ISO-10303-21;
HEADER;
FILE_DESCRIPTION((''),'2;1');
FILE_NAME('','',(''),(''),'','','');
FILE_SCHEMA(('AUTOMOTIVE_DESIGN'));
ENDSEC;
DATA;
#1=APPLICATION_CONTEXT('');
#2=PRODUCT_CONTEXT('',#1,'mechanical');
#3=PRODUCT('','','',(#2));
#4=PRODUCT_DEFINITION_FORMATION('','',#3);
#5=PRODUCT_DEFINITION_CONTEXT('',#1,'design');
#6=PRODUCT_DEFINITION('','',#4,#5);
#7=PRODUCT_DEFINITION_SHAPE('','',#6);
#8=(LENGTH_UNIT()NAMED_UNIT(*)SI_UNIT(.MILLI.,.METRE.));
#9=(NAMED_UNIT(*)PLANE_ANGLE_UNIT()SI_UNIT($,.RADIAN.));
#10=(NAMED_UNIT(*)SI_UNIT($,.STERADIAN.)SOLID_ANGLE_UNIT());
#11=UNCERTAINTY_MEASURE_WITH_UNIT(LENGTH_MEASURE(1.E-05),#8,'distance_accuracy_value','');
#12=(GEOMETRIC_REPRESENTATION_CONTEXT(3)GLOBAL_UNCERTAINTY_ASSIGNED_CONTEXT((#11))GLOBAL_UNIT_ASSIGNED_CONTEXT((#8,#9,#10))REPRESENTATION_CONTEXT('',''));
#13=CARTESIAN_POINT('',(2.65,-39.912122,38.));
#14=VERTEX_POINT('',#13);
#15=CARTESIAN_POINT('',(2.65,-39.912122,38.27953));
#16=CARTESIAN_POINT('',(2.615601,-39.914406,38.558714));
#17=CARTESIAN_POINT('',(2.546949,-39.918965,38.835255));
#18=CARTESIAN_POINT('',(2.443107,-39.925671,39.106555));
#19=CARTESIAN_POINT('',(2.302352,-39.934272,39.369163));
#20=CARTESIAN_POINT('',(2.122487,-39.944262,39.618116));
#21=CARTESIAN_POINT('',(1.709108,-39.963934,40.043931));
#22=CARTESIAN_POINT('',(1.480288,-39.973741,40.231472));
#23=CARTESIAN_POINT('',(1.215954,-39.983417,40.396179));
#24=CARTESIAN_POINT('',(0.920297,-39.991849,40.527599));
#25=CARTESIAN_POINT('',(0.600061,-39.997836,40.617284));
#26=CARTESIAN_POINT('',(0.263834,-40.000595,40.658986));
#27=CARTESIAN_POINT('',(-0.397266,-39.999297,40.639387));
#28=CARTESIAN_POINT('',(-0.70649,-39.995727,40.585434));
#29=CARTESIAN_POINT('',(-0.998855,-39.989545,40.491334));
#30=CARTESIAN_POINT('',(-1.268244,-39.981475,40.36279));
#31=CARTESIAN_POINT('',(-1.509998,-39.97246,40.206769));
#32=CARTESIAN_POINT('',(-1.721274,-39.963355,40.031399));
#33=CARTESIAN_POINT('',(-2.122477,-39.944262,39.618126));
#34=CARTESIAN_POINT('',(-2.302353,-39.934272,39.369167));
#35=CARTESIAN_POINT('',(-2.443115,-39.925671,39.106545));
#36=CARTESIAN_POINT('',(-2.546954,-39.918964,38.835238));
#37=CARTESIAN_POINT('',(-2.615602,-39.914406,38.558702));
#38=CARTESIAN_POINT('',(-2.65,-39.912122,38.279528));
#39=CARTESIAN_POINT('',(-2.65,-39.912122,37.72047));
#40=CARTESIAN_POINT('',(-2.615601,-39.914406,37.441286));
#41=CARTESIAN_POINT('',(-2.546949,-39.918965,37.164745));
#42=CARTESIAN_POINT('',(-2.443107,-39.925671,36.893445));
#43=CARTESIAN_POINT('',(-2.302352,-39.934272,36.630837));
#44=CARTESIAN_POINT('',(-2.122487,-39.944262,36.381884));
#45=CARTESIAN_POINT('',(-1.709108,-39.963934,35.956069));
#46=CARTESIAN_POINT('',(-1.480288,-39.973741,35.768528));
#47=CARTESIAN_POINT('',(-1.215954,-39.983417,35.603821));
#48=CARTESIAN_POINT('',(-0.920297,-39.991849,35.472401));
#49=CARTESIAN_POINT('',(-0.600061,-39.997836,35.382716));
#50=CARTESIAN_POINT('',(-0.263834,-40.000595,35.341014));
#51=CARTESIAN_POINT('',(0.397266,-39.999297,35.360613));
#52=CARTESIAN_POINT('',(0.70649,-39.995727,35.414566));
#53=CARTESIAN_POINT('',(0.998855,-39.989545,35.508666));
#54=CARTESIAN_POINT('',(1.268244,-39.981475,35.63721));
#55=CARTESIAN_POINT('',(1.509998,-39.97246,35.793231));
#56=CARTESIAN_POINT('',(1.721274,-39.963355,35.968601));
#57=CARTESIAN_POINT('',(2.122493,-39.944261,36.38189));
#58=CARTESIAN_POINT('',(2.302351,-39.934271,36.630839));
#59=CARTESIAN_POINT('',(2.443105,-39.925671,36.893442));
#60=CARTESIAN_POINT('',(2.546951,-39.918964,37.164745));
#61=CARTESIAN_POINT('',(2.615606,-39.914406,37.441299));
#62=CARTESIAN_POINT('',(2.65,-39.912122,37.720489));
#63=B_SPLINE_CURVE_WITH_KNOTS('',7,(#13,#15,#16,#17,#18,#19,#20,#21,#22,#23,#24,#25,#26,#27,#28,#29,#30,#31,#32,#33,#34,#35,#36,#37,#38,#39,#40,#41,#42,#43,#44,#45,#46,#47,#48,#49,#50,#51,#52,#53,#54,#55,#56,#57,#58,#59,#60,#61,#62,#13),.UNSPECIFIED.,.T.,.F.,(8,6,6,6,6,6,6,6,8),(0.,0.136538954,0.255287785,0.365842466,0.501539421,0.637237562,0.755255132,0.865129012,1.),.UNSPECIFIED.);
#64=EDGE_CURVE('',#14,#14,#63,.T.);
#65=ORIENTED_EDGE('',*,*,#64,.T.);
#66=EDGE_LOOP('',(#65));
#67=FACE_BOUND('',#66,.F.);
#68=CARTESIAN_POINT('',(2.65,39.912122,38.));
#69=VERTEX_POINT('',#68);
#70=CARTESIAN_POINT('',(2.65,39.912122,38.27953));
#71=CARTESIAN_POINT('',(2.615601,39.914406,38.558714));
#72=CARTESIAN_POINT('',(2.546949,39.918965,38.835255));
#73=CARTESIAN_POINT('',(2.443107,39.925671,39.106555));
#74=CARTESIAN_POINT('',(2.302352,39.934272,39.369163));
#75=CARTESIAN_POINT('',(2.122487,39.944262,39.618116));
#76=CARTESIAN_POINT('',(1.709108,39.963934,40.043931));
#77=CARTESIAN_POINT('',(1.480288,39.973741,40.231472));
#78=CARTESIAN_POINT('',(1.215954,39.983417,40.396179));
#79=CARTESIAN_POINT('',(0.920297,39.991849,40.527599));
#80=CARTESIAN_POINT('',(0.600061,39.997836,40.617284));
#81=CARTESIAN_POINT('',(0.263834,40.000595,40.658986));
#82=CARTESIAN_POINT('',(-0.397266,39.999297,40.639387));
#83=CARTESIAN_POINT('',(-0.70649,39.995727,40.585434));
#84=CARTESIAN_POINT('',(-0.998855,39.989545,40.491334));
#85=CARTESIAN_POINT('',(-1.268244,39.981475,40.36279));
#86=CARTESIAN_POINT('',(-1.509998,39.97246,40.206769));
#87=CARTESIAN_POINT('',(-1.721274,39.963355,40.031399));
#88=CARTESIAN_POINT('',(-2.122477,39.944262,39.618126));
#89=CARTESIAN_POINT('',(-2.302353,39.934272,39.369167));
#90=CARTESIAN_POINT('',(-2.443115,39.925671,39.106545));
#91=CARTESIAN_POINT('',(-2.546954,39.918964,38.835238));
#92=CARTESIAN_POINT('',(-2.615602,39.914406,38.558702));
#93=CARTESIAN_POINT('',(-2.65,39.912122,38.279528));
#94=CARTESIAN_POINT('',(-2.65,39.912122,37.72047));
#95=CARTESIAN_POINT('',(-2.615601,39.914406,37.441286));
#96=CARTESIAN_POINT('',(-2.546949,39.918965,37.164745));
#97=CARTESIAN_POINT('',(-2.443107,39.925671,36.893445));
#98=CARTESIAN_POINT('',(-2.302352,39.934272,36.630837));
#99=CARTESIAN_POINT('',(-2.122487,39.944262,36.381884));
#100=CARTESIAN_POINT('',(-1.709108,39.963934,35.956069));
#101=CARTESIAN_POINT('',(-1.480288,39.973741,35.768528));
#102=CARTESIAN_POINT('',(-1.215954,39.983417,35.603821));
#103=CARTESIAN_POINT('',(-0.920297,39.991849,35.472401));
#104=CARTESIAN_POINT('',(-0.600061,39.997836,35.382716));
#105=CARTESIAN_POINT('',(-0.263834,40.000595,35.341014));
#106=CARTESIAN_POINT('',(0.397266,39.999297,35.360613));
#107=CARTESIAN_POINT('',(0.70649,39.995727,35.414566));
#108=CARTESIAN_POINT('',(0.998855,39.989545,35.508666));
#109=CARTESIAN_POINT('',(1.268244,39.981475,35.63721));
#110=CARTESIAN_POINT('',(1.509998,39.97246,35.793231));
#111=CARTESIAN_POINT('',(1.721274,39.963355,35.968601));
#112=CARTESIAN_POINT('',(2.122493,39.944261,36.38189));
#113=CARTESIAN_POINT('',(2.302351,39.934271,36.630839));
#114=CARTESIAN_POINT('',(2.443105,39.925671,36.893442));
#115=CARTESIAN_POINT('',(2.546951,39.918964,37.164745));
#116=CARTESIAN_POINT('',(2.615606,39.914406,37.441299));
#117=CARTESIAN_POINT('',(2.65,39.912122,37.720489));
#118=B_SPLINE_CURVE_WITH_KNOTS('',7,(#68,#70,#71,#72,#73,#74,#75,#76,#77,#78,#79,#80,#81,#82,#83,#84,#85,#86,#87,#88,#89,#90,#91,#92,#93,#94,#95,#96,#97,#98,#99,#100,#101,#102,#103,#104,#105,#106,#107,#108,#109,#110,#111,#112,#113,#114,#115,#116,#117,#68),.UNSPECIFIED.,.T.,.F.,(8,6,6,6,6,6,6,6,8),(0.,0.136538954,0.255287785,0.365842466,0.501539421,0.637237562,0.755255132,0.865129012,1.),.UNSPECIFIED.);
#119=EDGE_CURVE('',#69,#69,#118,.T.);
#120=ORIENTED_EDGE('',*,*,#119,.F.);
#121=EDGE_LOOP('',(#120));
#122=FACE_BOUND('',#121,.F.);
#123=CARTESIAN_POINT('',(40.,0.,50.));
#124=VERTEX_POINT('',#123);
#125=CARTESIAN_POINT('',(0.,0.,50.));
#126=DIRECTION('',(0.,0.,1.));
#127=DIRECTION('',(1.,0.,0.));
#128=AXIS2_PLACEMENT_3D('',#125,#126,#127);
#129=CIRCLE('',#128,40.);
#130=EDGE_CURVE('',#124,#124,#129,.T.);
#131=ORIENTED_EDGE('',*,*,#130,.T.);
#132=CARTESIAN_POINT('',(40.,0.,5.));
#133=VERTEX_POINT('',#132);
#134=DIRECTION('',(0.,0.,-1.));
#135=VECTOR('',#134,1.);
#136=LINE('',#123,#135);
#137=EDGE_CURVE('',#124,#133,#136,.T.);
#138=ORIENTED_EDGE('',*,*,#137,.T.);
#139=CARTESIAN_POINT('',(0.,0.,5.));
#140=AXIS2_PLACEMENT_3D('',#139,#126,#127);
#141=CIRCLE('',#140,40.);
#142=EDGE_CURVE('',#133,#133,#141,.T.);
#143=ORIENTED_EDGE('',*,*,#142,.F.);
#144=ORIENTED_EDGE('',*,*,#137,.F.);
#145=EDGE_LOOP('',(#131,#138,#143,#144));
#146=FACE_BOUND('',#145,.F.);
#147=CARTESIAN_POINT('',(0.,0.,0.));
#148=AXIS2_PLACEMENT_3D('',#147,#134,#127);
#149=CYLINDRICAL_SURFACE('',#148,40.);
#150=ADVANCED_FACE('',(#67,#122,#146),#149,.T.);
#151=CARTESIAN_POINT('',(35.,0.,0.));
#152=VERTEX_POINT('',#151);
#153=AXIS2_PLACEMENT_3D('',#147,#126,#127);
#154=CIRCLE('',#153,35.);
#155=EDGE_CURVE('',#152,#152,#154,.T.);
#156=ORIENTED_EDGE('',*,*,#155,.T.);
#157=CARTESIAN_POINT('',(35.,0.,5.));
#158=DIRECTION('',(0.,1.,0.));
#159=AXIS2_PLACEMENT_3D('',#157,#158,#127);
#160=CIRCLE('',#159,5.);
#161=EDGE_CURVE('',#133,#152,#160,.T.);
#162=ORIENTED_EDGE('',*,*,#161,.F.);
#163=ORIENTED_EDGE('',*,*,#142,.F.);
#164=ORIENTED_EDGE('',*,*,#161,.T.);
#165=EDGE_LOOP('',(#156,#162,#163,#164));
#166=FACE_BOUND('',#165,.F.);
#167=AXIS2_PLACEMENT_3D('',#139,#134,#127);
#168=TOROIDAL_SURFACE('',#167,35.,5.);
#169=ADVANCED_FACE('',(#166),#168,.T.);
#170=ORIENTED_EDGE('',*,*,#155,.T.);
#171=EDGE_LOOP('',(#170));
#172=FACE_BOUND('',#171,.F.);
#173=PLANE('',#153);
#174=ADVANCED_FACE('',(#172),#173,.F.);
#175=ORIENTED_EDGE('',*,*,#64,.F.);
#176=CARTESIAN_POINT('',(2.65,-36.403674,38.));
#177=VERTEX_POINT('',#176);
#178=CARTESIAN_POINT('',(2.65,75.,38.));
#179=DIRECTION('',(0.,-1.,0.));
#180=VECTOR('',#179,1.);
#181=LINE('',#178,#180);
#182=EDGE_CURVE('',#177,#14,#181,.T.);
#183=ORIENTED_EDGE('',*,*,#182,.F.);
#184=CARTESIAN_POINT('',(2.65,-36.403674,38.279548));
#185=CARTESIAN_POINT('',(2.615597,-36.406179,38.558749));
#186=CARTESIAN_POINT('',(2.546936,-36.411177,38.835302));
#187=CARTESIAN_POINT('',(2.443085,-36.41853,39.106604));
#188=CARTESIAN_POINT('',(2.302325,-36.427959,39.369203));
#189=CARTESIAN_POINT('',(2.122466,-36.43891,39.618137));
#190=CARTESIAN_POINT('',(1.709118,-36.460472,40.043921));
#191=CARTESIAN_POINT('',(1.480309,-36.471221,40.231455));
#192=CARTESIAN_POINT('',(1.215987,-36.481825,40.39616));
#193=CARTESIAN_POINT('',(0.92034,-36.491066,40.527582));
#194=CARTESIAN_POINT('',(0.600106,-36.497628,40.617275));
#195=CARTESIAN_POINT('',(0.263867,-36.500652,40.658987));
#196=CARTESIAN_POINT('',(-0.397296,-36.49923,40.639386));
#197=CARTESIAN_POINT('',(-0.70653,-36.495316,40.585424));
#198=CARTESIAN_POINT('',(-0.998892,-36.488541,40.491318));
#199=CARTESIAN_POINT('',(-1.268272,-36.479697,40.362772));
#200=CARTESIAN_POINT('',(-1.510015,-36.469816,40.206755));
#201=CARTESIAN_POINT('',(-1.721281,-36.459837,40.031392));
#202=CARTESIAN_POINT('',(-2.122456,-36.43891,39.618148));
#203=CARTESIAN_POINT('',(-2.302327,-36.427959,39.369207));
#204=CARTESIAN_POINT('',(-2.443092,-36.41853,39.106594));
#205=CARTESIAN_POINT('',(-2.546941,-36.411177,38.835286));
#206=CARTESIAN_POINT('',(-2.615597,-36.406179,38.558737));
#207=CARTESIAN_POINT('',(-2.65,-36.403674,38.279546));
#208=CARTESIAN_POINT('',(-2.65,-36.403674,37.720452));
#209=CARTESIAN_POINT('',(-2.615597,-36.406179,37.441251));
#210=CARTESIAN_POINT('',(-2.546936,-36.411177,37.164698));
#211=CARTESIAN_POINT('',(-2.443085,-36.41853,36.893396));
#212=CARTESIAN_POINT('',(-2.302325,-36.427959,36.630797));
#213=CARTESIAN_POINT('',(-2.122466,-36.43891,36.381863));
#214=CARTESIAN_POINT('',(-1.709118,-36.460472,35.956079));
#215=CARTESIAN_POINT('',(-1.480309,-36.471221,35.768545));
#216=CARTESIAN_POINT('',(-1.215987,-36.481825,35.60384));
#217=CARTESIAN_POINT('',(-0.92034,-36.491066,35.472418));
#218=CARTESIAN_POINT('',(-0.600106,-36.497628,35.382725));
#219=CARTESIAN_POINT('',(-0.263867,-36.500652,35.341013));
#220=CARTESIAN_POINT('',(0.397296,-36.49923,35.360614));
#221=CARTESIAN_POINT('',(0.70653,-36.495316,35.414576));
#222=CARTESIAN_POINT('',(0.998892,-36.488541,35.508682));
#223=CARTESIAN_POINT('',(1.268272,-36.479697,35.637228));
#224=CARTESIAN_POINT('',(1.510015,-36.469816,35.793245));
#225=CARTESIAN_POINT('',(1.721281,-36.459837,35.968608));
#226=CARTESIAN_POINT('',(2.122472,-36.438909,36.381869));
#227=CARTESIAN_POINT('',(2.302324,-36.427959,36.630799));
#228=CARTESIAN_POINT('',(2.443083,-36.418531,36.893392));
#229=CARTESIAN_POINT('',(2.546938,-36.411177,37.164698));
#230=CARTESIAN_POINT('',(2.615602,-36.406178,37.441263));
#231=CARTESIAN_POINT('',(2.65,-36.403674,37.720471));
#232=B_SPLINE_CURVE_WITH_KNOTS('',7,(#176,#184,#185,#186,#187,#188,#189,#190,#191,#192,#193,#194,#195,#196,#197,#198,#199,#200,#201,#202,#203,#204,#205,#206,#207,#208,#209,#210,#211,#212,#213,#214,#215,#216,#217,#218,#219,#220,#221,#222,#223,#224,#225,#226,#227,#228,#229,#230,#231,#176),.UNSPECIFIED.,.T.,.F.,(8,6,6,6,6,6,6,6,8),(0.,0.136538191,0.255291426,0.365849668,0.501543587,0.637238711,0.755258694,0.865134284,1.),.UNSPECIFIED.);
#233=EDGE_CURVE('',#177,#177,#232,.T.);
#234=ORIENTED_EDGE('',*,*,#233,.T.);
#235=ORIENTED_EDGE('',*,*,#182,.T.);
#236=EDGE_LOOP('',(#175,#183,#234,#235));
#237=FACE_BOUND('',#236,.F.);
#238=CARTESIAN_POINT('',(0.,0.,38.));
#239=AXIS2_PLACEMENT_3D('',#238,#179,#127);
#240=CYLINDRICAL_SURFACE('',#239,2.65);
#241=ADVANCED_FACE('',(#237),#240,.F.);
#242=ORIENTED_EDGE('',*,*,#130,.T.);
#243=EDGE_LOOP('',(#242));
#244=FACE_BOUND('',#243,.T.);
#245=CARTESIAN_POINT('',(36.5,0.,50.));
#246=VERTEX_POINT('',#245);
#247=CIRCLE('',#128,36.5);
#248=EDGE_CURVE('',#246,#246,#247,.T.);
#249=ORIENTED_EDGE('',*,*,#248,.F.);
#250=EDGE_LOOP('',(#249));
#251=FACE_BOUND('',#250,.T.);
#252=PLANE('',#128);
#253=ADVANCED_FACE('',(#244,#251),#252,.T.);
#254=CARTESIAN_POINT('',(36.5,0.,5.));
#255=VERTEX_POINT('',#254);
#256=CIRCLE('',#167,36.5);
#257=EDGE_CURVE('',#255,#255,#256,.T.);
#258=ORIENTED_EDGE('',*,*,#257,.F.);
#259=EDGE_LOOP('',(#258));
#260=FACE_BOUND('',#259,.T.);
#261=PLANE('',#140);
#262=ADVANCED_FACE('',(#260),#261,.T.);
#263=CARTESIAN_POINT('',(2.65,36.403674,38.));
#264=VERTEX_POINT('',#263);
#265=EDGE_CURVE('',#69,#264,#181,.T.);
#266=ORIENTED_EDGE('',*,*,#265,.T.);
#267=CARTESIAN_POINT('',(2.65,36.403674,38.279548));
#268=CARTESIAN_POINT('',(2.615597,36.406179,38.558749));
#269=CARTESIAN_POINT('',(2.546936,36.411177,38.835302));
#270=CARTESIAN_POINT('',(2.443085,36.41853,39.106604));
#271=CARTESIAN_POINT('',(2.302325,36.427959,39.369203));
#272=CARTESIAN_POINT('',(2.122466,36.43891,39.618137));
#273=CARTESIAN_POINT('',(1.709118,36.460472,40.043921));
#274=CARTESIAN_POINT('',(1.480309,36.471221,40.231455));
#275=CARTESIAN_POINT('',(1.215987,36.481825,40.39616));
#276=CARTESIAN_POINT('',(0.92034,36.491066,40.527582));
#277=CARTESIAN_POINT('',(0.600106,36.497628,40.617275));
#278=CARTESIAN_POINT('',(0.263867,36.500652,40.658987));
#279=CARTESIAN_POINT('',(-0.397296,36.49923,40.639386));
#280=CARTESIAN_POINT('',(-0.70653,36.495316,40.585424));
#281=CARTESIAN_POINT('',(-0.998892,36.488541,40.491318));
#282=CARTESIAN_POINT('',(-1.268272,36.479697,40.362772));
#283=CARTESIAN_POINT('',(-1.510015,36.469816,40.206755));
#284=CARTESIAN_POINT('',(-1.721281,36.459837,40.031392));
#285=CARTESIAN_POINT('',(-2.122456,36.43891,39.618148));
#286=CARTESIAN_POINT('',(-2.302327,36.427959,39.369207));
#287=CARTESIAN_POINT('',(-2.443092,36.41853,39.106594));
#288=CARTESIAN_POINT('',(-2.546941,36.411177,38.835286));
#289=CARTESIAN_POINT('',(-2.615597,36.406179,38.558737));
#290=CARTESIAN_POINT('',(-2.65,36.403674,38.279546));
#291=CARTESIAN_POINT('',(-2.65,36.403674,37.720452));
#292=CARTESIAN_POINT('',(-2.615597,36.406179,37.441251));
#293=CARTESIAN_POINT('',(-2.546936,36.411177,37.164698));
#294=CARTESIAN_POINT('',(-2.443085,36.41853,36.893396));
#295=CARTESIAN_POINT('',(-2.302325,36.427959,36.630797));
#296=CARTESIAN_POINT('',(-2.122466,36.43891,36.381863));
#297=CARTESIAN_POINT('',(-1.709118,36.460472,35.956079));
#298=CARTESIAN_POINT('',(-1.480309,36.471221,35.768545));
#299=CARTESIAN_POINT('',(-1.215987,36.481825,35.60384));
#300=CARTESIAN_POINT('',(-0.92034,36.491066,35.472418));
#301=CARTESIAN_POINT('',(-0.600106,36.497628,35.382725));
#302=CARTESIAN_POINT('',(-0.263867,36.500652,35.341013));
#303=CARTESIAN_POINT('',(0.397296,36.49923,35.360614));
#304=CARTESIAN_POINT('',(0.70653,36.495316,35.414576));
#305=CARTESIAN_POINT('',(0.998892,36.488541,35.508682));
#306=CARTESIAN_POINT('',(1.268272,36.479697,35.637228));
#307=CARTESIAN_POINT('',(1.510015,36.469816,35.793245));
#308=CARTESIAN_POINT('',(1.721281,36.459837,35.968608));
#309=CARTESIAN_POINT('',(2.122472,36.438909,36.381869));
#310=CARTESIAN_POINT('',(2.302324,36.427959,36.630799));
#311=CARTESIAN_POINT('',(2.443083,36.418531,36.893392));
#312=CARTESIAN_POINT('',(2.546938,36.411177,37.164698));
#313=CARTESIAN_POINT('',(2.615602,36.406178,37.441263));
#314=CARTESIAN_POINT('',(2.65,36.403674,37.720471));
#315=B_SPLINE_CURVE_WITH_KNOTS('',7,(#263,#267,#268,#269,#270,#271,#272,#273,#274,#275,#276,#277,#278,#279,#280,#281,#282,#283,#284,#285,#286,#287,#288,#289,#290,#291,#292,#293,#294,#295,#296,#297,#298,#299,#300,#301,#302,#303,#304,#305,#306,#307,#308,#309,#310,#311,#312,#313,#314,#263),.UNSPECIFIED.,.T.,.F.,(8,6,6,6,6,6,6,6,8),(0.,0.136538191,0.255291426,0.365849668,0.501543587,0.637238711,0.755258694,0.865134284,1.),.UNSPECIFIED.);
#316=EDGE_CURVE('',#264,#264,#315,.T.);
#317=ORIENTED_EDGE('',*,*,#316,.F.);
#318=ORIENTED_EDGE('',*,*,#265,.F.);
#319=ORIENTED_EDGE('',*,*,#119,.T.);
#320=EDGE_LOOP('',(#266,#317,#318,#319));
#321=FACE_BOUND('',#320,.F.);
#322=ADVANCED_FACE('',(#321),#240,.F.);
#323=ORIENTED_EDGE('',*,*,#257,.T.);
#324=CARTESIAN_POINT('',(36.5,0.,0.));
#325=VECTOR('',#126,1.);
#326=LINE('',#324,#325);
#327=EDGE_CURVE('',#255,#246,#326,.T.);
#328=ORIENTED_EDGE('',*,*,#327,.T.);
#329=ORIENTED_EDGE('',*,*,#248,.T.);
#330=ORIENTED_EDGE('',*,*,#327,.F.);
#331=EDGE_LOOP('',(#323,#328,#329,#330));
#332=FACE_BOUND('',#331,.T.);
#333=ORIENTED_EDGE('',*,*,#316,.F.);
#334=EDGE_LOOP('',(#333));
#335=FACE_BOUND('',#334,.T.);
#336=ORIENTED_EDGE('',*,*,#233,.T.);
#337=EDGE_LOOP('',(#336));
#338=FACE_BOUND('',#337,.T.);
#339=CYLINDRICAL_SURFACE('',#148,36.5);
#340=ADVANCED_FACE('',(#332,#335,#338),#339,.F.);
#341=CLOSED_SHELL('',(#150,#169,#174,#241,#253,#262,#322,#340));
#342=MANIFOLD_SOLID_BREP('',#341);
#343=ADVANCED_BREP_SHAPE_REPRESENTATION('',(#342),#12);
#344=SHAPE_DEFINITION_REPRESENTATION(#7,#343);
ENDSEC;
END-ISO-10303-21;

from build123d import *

# Parameters (mm, degrees)
F0_R     = 40
F0_R_2   = 36.5
F1_DEPTH = 5
F2_DEPTH = 50
F3_R     = 2.65
F4_DEPTH = 75
F5_R     = 5


with BuildPart() as f1:
    # F0 (on Top) → F1 (new body)
    with BuildSketch(Plane.XY):
        Circle(F0_R)
        Circle(F0_R_2, mode=Mode.SUBTRACT)
        Circle(F0_R_2)
    extrude(amount=F1_DEPTH)

    # F0 (on Top) → F2 (join)
    with BuildSketch(Plane.XY):
        Circle(F0_R)
        Circle(F0_R_2, mode=Mode.SUBTRACT)
    extrude(amount=F2_DEPTH)

    # F3 (on Front) → F4 (cut, symmetric)
    with BuildSketch(Plane.XZ):
        with Locations((0, 38)):
            Circle(F3_R)
    extrude(amount=F4_DEPTH, both=True, mode=Mode.SUBTRACT)

    # F5
    f5_edges = [f1.edges().sort_by_distance(p)[0] for p in [
        (-40, 0, 0),
    ]]
    fillet(f5_edges, radius=F5_R)


solid = f1.part
